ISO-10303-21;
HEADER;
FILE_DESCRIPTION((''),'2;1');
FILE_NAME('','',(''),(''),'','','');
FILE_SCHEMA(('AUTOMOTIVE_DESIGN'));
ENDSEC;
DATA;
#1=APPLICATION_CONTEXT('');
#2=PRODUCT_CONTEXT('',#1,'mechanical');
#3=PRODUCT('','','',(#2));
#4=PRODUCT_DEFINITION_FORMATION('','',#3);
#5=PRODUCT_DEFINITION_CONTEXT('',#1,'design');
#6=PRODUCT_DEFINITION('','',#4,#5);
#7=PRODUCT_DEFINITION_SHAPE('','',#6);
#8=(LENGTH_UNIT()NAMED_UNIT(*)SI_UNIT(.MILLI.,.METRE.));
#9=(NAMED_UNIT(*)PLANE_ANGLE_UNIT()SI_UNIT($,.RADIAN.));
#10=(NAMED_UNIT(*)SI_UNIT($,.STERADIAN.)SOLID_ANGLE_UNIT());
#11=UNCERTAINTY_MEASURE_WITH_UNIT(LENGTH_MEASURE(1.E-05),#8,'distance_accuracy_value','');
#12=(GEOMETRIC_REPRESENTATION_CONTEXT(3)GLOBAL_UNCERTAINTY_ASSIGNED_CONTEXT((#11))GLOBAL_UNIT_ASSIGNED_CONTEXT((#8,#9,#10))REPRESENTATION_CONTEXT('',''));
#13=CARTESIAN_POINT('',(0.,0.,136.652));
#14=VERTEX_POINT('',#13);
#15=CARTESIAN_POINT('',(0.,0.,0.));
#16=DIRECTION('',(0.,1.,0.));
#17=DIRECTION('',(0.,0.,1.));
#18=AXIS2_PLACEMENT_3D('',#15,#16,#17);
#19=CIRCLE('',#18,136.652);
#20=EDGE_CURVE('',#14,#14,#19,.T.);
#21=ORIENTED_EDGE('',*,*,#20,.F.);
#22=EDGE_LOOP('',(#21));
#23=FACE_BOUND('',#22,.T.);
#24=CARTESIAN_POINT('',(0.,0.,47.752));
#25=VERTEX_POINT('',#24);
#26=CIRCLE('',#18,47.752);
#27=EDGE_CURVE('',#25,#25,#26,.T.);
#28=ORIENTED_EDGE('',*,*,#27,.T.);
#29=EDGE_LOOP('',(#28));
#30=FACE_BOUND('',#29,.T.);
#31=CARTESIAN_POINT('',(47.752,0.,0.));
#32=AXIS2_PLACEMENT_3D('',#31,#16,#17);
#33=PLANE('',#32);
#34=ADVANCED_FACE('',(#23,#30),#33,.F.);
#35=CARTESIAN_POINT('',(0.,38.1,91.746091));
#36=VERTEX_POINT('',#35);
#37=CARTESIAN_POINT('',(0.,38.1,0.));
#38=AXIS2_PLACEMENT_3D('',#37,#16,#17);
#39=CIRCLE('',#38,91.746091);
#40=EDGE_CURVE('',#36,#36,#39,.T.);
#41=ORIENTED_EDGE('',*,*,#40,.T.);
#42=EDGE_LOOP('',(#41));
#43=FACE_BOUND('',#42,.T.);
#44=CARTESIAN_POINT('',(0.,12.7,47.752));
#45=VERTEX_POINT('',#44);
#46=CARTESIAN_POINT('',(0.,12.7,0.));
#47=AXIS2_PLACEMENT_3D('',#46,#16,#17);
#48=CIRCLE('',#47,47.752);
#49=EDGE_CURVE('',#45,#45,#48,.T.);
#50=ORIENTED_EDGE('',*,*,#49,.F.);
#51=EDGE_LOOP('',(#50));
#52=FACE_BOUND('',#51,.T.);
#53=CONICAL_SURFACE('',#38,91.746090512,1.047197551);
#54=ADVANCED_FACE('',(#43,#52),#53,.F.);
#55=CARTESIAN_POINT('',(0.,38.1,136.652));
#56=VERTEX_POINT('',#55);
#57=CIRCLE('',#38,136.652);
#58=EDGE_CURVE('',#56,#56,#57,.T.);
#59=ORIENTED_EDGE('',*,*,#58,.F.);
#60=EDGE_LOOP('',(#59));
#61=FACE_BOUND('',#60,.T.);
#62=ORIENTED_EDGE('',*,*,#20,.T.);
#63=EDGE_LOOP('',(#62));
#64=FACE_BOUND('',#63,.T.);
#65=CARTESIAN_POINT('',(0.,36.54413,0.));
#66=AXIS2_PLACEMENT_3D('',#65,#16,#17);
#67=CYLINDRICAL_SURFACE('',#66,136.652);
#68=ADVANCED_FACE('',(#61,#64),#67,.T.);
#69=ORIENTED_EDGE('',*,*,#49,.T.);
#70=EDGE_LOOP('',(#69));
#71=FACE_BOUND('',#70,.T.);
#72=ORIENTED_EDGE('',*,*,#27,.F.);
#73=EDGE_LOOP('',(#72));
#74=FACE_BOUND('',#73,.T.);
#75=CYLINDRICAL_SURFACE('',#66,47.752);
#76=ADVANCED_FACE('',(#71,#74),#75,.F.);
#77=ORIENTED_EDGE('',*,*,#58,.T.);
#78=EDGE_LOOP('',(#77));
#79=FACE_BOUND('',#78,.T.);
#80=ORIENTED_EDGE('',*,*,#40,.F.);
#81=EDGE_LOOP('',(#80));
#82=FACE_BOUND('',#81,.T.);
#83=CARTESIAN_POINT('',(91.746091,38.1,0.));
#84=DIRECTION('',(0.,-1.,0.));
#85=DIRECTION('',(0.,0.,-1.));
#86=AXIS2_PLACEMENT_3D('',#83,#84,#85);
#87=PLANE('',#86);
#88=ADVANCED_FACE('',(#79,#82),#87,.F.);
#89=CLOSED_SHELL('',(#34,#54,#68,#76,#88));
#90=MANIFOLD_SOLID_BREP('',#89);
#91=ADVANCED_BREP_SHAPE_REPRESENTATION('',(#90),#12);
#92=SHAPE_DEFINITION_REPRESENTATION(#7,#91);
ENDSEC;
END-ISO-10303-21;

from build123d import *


with BuildPart() as part:
    # Sketch1 → Revolve1 (revolve)
    with BuildSketch(Plane.XY):
        Polygon((47.752, 0), (47.752, 12.7), (91.746090512, 38.1), (136.652, 38.1), (136.652, 0), align=None)
    revolve(axis=Axis((0, 36.544130423, 0), (0, -1, 0)))


solid = part.part
